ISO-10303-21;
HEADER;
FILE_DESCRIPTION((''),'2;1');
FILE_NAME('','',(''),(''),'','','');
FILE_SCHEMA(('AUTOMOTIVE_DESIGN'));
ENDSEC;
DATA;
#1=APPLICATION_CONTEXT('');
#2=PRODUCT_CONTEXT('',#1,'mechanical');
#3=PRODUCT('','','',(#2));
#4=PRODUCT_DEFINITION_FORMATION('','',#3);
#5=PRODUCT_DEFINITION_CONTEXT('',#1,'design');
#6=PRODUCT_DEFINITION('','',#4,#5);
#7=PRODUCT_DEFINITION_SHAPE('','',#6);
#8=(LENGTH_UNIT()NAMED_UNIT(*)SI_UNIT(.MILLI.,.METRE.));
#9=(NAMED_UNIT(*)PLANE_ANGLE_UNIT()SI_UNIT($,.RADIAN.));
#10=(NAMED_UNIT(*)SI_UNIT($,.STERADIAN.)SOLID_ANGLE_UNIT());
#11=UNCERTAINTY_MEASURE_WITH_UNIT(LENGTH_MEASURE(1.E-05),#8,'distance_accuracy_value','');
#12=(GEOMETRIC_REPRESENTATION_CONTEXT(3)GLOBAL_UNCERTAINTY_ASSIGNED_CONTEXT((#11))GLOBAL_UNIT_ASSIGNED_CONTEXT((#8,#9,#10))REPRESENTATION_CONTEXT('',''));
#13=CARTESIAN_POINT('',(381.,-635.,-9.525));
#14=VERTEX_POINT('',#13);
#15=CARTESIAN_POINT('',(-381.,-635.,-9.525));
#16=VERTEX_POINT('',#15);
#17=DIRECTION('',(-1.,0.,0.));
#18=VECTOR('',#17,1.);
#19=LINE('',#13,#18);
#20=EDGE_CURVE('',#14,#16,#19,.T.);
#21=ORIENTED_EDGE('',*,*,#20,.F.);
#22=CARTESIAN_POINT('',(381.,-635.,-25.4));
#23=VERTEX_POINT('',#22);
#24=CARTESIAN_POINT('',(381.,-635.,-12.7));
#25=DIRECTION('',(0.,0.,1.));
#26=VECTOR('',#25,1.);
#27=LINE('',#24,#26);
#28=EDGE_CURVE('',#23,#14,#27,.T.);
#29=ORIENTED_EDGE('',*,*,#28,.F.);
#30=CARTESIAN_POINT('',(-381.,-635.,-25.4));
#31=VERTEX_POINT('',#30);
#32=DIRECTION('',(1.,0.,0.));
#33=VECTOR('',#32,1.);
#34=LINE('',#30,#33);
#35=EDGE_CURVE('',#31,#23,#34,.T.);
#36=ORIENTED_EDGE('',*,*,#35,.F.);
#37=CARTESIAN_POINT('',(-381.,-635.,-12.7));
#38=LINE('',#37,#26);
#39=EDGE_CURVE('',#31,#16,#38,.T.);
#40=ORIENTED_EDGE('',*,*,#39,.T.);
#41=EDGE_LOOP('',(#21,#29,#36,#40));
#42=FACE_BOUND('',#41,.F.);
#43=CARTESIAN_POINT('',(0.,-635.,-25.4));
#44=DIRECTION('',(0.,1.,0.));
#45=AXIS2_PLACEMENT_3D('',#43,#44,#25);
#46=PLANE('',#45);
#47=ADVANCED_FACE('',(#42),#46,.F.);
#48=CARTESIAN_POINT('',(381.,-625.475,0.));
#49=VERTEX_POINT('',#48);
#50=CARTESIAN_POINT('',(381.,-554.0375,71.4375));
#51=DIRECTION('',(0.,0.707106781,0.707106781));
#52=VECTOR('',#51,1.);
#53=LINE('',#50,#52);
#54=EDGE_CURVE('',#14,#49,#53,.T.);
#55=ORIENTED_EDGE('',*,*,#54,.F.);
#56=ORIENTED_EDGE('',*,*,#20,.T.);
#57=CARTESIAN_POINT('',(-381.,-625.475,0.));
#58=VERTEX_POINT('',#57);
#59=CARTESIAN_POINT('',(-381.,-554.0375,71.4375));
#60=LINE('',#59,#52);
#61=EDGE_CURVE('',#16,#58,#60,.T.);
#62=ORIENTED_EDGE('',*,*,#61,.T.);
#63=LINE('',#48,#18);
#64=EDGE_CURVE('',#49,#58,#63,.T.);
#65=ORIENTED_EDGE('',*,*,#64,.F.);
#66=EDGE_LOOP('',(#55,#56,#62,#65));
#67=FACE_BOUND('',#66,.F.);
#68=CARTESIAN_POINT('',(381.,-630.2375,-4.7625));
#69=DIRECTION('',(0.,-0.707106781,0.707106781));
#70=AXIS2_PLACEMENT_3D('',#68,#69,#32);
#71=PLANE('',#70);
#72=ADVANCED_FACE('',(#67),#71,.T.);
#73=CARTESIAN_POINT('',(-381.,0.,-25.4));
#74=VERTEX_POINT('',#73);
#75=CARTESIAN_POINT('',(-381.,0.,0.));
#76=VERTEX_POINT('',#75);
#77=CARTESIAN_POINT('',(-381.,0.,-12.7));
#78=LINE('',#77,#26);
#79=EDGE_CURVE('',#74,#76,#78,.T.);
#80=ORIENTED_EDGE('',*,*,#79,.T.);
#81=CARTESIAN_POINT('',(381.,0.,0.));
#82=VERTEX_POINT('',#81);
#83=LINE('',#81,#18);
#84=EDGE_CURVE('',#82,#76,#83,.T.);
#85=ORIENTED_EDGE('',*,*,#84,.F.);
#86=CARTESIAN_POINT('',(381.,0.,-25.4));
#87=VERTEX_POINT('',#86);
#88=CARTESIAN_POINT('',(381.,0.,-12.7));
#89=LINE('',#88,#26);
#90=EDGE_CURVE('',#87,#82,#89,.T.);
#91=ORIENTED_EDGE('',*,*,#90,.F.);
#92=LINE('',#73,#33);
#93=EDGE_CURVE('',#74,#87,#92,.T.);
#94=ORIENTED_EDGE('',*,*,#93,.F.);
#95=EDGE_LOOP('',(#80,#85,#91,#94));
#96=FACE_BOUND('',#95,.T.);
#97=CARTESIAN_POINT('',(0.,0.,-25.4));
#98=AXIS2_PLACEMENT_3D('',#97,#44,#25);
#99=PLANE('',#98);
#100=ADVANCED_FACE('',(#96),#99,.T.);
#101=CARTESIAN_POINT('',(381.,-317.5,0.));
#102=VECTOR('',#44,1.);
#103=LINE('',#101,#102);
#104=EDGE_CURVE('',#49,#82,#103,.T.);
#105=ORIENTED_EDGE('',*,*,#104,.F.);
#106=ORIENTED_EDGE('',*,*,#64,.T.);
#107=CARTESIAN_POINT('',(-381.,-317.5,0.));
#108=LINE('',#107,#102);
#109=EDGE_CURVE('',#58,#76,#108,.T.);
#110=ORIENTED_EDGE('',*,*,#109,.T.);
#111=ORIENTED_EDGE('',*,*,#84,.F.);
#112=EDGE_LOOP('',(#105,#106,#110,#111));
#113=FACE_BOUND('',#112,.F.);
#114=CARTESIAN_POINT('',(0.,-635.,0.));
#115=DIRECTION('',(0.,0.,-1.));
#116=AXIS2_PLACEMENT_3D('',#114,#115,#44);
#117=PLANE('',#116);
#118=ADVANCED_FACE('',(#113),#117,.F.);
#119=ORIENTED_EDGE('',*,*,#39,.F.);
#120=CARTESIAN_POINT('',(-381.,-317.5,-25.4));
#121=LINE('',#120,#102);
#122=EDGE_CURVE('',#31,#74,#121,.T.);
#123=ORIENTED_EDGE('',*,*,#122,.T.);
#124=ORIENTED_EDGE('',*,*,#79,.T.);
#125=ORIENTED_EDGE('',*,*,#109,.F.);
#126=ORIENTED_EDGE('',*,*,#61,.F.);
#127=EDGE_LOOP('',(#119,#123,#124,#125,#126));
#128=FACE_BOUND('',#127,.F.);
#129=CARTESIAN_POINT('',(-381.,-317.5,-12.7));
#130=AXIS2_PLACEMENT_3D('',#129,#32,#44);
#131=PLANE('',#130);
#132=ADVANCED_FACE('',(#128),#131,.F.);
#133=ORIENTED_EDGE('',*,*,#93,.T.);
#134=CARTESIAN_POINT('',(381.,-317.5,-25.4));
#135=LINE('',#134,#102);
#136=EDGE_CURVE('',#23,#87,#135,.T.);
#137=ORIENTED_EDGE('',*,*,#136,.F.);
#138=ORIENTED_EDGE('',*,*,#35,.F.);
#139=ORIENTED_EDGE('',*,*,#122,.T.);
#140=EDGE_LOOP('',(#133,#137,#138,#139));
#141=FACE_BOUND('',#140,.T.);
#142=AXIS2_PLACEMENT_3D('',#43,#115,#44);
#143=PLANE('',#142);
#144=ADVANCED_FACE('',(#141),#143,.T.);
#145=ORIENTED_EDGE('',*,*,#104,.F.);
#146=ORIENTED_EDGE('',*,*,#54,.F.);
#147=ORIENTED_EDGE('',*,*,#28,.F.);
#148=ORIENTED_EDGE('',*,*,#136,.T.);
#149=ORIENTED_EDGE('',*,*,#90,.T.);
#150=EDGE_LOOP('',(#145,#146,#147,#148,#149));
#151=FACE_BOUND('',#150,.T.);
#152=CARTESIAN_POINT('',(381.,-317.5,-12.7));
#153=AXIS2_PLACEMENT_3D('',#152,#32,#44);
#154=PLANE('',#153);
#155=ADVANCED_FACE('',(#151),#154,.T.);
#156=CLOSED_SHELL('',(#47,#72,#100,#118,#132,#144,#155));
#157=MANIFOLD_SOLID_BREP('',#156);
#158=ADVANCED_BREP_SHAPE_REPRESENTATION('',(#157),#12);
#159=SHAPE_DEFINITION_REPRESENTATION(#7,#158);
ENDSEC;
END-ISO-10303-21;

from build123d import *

# Parameters (mm, degrees)
F0_W     = 635
F0_H     = 25.4
F1_DEPTH = 381
F2_SIZE  = 9.525


with BuildPart() as f1:
    # F0 (on Right) → F1 (new body, symmetric)
    with BuildSketch(Plane.YZ):
        with Locations((-317.5, -12.7)):
            Rectangle(F0_W, F0_H)
    extrude(amount=F1_DEPTH, both=True)

    # F2
    f2_edges = [f1.edges().sort_by_distance(p)[0] for p in [
        (0, -635, 0),
    ]]
    chamfer(f2_edges, length=F2_SIZE)


solid = f1.part
